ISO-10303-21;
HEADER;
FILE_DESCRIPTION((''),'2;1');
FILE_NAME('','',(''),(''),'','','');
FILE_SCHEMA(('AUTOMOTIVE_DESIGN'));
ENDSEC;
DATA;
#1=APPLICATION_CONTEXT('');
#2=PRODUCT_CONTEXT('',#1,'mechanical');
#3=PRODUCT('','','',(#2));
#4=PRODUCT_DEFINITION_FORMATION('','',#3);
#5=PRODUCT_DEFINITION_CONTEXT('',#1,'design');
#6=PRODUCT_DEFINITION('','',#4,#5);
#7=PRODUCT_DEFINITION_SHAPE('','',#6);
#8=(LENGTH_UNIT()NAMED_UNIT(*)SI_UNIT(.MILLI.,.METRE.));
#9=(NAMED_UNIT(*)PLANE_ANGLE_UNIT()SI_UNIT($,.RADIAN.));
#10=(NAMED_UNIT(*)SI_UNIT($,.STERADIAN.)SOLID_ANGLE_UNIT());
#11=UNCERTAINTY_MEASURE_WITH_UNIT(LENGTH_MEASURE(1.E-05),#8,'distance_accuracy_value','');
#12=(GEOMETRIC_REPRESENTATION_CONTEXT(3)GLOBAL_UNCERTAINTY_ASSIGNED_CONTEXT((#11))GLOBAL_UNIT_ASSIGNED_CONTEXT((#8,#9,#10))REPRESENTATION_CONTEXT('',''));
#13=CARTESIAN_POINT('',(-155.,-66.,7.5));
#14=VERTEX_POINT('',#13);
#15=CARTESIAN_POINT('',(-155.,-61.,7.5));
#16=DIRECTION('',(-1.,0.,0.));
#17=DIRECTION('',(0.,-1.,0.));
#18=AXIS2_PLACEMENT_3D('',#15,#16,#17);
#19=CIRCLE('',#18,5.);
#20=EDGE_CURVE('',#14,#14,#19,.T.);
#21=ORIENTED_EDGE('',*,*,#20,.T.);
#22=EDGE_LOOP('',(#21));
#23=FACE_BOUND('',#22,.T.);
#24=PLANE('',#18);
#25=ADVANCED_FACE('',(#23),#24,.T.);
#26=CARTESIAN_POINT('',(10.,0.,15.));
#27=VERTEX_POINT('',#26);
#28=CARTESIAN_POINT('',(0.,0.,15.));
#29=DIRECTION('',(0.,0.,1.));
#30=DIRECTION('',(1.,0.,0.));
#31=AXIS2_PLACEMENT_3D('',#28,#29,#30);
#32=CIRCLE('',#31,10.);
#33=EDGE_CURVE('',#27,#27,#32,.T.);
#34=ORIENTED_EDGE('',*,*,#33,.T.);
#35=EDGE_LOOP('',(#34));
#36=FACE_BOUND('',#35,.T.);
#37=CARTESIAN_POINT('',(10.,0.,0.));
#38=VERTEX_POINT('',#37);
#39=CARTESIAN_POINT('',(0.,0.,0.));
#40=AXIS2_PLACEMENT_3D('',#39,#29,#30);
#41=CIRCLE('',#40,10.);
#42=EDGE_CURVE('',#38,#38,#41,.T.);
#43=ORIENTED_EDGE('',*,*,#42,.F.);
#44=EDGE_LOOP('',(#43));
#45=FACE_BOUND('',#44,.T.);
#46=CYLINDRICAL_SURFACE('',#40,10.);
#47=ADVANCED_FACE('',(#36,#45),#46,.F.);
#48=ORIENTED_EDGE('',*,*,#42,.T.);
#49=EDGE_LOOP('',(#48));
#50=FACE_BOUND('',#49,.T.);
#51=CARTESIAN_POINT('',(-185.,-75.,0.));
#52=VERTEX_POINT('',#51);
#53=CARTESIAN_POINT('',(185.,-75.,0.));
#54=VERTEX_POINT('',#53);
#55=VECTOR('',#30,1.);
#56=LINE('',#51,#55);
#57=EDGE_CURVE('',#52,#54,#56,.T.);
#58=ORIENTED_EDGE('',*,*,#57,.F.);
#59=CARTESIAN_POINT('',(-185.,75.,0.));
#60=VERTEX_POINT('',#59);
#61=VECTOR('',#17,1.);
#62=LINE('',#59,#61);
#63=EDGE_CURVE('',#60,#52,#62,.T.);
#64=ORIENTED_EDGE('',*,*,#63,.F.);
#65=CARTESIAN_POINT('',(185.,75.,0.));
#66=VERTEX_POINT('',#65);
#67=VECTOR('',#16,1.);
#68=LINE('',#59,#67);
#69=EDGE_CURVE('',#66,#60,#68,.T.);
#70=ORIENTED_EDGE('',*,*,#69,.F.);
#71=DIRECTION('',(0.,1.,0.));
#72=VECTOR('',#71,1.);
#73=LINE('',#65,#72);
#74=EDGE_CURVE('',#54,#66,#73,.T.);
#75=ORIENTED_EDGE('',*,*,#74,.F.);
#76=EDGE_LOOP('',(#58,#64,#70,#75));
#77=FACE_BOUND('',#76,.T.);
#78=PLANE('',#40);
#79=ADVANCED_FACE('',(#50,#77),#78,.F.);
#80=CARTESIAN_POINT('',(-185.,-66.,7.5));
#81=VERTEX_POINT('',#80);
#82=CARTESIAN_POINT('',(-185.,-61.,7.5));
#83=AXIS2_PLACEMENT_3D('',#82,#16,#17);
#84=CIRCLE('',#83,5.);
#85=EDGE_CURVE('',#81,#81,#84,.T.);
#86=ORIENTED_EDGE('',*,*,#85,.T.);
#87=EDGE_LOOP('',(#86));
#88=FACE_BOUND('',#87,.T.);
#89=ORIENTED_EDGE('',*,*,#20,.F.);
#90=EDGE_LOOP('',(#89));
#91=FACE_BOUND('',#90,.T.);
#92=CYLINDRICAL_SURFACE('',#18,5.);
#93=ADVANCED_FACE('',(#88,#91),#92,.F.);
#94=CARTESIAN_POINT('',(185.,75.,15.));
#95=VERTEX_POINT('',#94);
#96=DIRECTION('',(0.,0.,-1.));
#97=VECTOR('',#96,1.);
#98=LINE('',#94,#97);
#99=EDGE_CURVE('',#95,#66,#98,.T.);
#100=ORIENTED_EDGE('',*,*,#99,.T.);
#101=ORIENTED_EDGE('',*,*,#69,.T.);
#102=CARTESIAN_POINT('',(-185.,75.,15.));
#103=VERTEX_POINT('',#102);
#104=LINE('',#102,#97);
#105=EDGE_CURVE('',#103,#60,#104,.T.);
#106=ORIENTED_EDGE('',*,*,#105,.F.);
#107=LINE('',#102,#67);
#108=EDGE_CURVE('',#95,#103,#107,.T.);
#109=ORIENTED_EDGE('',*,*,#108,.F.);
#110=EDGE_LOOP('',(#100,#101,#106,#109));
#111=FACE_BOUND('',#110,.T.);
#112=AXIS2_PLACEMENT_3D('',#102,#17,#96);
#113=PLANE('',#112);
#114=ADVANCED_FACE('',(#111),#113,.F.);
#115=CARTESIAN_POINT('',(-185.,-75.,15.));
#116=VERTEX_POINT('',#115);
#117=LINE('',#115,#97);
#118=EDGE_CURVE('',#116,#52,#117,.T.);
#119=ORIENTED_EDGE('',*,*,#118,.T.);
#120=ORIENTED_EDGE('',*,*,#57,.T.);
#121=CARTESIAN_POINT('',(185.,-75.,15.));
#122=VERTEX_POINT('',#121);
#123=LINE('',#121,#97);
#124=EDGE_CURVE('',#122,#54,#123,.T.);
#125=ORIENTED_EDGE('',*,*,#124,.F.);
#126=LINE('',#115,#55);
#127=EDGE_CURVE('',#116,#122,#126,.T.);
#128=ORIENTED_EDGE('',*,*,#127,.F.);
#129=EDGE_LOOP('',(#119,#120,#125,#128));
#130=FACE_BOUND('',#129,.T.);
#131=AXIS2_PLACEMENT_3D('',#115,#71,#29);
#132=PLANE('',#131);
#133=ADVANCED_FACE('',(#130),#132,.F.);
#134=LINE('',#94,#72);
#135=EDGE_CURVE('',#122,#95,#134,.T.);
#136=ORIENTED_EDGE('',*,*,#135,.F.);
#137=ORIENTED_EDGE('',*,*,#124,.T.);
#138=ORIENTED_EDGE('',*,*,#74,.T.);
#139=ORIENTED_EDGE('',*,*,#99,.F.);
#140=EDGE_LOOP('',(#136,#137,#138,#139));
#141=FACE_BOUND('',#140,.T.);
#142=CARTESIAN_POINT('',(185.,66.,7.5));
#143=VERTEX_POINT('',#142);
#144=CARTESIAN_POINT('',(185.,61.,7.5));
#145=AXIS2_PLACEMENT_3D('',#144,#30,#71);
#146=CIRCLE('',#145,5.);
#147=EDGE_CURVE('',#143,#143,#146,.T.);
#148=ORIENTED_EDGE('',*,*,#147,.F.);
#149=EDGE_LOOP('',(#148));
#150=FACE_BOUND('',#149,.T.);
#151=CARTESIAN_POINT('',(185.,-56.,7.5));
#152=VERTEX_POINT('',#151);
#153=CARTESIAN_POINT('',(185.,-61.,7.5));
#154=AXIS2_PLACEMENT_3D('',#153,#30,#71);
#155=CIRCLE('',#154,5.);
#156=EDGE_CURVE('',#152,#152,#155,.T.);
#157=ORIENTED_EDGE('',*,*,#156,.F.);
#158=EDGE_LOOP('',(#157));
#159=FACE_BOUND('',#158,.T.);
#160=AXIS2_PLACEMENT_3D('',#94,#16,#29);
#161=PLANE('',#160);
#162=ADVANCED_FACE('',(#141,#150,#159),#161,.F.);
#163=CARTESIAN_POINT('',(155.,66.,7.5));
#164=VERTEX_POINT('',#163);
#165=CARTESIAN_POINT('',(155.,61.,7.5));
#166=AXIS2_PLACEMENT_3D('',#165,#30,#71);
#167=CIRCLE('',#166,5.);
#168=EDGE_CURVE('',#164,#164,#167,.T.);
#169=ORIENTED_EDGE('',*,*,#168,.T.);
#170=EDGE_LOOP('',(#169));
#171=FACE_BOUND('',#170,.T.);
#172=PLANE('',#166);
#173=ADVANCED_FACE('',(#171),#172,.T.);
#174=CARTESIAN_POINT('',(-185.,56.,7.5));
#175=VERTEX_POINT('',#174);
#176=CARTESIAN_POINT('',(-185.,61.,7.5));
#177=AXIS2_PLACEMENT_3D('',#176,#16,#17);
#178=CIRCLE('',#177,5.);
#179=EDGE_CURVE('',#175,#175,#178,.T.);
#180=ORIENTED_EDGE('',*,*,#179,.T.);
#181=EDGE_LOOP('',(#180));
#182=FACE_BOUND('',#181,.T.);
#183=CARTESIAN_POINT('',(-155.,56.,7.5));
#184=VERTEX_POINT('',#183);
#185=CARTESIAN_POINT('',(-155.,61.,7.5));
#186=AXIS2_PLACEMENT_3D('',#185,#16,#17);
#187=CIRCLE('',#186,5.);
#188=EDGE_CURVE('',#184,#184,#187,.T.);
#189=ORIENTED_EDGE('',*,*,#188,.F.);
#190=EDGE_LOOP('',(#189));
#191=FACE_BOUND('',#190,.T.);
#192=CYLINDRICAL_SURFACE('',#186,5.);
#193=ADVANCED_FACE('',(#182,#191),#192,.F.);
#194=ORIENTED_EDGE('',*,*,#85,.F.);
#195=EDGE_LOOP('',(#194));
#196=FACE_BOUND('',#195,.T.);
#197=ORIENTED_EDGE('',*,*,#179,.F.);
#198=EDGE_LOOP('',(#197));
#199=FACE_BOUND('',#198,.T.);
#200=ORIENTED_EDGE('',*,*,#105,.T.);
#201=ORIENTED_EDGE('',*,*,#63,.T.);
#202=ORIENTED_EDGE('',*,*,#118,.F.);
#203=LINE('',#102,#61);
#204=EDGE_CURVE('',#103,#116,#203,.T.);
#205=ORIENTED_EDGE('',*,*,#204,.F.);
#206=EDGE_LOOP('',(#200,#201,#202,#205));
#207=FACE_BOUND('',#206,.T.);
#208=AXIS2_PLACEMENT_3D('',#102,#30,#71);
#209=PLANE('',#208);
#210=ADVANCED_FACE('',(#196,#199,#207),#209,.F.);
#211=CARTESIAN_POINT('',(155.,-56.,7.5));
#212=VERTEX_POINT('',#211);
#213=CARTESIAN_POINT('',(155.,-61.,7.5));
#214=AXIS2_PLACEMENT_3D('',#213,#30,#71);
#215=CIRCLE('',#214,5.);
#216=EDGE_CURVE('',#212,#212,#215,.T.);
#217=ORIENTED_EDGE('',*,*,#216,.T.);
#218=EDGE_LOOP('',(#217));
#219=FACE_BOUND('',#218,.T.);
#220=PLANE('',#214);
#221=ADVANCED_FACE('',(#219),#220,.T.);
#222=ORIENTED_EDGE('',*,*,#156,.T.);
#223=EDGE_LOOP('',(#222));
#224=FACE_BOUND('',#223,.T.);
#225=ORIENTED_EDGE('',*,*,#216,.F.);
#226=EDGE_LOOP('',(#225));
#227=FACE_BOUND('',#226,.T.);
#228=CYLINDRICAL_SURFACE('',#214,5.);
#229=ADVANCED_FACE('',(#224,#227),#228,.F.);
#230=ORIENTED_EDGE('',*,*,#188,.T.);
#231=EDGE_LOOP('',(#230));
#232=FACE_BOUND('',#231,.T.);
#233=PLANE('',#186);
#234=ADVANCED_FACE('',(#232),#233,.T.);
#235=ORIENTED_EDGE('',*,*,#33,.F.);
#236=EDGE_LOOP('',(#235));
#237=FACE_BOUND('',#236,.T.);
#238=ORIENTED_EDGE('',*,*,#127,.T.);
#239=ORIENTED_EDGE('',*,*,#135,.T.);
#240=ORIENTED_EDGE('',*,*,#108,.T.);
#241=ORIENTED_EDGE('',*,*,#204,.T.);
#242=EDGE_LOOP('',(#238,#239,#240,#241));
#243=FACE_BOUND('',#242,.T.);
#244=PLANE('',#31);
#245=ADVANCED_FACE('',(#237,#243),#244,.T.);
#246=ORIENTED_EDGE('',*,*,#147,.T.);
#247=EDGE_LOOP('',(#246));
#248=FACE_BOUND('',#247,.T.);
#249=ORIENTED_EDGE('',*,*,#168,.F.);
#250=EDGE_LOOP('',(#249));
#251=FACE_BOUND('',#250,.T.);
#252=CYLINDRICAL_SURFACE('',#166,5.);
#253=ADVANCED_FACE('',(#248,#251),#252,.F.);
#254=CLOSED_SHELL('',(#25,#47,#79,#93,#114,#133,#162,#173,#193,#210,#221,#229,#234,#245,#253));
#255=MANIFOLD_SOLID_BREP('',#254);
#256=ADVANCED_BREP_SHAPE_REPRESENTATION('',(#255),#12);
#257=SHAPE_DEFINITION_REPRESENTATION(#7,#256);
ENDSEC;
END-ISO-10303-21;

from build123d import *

# Parameters (mm, degrees)
SKETCH1_W           = 370
SKETCH1_H           = 150
BOSS_EXTRUDE1_DEPTH = 15
SKETCH2_R           = 5
CUT_EXTRUDE1_DEPTH  = 30
SKETCH3_R           = 5
CUT_EXTRUDE2_DEPTH  = 30
SKETCH4_R           = 10
CUT_EXTRUDE3_DEPTH  = 16


with BuildPart() as part:
    # Sketch1 → Boss-Extrude1 (new body)
    with BuildSketch(Plane.XY):
        Rectangle(SKETCH1_W, SKETCH1_H)
    extrude(amount=BOSS_EXTRUDE1_DEPTH)

    # Sketch2 → Cut-Extrude1 (cut)
    with BuildSketch(Plane.ZY.offset(185)):
        with Locations((7.5, 61)):
            Circle(SKETCH2_R)
        with Locations((7.5, -61)):
            Circle(SKETCH2_R)
    extrude(amount=-CUT_EXTRUDE1_DEPTH, mode=Mode.SUBTRACT)

    # Sketch3 → Cut-Extrude2 (cut)
    with BuildSketch(Plane(origin=(185, 0, 0), x_dir=(0, 0, -1), z_dir=(1, 0, 0))):
        with Locations((-7.5, 61)):
            Circle(SKETCH3_R)
        with Locations((-7.5, -61)):
            Circle(SKETCH3_R)
    extrude(amount=-CUT_EXTRUDE2_DEPTH, mode=Mode.SUBTRACT)

    # Sketch4 → Cut-Extrude3 (cut, through all)
    with BuildSketch(Plane.XY.offset(15)):
        Circle(SKETCH4_R)
    extrude(amount=-CUT_EXTRUDE3_DEPTH, mode=Mode.SUBTRACT)


solid = part.part
